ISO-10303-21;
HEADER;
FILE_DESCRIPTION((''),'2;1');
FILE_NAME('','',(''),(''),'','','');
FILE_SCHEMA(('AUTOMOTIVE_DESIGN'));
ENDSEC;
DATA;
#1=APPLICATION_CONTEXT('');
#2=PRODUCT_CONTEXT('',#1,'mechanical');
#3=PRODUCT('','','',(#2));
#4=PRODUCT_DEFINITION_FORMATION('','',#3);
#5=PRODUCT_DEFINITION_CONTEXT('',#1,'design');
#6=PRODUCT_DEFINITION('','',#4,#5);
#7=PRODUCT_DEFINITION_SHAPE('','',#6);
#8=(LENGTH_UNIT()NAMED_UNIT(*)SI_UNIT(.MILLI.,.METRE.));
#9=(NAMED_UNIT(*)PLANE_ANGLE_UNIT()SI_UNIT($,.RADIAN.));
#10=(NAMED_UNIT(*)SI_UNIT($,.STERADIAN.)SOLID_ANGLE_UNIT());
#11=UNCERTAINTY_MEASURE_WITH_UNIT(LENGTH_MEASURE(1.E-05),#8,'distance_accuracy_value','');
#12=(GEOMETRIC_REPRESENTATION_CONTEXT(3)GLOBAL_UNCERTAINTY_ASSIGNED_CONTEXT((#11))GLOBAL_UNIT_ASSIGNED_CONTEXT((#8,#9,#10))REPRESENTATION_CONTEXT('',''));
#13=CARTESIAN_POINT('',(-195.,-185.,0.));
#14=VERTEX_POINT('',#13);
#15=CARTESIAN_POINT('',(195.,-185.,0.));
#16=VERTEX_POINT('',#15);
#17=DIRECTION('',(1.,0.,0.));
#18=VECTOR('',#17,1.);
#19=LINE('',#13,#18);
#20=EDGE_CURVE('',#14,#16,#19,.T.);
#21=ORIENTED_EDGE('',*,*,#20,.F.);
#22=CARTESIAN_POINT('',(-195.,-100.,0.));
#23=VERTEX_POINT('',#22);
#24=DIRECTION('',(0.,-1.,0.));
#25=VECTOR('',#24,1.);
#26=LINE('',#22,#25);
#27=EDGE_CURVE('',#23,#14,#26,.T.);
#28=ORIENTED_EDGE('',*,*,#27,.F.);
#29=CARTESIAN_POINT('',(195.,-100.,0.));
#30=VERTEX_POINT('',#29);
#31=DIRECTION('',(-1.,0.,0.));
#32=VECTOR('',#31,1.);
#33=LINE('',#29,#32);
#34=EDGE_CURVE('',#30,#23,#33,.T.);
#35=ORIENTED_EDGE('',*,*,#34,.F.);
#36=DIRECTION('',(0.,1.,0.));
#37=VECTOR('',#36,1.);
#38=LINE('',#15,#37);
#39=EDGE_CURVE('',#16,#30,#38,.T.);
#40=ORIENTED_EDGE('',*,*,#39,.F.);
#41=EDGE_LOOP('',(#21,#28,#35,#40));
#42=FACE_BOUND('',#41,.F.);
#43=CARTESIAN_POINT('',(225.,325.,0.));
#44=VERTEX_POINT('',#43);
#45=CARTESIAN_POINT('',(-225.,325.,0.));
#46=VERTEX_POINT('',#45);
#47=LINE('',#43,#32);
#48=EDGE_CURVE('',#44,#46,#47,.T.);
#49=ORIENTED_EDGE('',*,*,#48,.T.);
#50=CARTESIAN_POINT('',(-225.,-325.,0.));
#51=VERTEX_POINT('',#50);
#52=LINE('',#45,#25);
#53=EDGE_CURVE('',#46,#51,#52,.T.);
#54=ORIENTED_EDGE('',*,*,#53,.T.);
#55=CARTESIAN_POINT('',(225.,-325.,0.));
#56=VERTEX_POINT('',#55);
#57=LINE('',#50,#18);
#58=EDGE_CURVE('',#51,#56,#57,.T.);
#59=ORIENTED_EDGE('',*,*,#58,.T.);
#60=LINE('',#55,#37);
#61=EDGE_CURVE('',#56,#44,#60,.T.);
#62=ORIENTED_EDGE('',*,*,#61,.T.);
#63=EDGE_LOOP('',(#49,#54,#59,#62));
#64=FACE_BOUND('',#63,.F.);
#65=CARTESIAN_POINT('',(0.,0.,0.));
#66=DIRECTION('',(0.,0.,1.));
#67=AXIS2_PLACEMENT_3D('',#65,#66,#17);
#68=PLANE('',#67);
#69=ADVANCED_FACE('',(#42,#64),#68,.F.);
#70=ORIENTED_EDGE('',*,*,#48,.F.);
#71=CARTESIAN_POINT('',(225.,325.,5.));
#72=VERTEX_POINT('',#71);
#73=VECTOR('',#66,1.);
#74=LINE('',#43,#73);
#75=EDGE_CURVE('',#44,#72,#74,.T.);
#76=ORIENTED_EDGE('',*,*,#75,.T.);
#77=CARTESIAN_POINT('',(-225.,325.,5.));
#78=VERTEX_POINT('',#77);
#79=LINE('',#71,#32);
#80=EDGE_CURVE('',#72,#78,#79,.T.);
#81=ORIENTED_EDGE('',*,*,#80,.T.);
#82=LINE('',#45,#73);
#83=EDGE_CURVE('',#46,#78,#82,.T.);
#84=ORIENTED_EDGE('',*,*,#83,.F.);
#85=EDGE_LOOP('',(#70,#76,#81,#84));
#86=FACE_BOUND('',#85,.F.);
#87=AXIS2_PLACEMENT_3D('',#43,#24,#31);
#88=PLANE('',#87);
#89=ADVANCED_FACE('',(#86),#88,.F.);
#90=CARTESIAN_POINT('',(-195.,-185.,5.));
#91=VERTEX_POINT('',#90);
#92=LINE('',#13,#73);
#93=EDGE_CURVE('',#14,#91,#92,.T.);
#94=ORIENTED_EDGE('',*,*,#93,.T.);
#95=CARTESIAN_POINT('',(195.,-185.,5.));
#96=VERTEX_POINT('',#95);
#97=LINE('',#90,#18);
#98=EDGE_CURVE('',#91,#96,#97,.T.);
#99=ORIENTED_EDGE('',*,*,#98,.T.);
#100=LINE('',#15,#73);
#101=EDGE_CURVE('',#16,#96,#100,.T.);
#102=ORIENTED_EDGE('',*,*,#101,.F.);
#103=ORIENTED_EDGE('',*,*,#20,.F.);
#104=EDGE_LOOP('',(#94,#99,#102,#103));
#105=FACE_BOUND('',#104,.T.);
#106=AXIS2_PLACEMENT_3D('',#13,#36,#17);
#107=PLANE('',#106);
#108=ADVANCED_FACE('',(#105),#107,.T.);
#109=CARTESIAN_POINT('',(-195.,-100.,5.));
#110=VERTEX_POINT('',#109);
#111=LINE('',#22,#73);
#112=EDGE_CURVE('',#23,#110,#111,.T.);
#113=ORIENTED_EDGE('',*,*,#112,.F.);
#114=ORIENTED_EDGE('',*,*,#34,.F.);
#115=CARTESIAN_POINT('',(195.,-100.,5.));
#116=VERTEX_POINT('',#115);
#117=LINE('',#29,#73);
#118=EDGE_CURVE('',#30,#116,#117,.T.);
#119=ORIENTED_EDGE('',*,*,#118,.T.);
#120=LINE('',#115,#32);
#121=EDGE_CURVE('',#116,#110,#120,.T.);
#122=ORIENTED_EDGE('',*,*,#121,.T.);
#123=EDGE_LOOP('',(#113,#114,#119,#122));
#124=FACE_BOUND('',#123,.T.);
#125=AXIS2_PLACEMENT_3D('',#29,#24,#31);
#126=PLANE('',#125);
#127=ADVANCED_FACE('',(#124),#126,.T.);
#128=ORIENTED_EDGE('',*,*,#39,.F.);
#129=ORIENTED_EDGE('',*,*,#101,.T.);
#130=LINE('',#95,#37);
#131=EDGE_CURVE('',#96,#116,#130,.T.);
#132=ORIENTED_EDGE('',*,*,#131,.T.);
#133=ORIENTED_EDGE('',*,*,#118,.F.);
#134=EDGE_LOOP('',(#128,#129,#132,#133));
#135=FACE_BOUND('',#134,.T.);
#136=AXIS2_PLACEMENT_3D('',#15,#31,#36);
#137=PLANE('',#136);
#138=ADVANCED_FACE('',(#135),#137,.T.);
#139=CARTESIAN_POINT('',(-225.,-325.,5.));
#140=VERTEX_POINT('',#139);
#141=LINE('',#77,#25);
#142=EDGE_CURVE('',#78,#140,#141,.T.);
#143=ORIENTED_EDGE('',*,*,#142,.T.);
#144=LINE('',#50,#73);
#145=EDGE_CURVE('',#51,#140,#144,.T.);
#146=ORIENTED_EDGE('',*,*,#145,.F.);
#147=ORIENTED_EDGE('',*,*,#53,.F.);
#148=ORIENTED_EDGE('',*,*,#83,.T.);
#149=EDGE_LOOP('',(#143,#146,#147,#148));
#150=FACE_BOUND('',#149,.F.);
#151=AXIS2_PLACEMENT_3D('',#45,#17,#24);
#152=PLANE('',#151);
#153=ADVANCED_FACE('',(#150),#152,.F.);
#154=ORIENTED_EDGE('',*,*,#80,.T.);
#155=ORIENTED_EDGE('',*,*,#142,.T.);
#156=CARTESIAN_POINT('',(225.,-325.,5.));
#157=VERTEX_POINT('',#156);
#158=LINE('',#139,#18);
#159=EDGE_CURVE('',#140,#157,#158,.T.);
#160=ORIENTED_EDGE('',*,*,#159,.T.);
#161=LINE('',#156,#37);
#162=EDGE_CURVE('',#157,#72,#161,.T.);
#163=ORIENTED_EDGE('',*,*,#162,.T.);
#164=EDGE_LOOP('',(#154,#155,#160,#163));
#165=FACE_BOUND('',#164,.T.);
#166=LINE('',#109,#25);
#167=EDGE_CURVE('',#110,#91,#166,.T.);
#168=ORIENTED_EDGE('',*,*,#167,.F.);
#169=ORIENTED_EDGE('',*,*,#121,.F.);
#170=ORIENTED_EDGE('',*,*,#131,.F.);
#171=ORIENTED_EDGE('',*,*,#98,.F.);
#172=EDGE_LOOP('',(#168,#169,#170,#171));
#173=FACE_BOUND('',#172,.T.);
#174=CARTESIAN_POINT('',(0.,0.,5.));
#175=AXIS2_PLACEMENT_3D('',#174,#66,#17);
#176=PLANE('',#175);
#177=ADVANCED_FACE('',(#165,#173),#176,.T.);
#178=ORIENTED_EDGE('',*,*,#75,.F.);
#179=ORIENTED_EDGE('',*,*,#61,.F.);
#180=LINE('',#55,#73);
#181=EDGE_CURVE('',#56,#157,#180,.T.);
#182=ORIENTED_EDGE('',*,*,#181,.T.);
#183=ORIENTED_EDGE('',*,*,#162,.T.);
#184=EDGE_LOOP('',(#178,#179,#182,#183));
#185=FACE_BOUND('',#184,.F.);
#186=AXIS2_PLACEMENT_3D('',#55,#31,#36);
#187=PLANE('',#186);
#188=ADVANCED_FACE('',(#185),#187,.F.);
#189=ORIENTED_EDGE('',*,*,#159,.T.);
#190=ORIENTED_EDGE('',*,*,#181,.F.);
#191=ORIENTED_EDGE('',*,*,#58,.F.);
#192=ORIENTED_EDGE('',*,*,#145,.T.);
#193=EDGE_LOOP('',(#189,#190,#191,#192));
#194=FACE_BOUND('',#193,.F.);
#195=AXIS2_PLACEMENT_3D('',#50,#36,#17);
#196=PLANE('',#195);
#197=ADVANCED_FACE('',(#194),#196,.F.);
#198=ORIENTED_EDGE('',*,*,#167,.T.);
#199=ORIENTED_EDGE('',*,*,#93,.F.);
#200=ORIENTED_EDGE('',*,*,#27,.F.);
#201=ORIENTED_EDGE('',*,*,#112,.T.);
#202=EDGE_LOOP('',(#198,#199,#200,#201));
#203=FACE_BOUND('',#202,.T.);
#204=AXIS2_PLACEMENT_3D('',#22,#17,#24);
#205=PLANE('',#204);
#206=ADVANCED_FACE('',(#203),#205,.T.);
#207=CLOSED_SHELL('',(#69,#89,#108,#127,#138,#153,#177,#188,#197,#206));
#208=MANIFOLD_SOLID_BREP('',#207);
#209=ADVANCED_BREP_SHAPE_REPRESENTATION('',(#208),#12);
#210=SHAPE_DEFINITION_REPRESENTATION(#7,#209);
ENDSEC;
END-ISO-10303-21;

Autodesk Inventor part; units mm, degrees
ref_plane "YZ Plane" through (0, 0, 0) normal (1, 0, 0) x (0, 1, 0)
ref_plane "XZ Plane" through (0, 0, 0) normal (0, 1, 0) x (-1, 0, 0)
ref_plane "XY Plane" through (0, 0, 0) normal (0, 0, 1) x (1, 0, 0)
sketch "Sketch1" plane through (0, 0, 0) normal (0, 0, 1) x (1, 0, 0)
  line L0 (-225, -325) -> (225, -325)
  line L1 (225, -325) -> (225, 325)
  line L2 (225, 325) -> (-225, 325)
  line L3 (-225, 325) -> (-225, -325)
  line L4 (-225, -325) -> (225, 325) construction
  line L5 (225, -325) -> (-225, 325) construction
  line L6 (-195, -185) -> (195, -185)
  line L7 (195, -185) -> (195, -100)
  line L8 (195, -100) -> (-195, -100)
  line L9 (-195, -100) -> (-195, -185)
  line L10 (-195, -185) -> (195, -100) construction
  line L11 (195, -185) -> (-195, -100) construction
  point P0 (0, 0)
  point P1 (0, -142.5)
  dimension "d0" = 450
  dimension "d1" = 650
  dimension "d4" = 140
  dimension "d5" = 225
  dimension "d6" = 390
extrude "Extrusion1" add sketch "Sketch1" along normal blind 5
properties part number "Foam Sheet Front" material "PVC-Piping"
